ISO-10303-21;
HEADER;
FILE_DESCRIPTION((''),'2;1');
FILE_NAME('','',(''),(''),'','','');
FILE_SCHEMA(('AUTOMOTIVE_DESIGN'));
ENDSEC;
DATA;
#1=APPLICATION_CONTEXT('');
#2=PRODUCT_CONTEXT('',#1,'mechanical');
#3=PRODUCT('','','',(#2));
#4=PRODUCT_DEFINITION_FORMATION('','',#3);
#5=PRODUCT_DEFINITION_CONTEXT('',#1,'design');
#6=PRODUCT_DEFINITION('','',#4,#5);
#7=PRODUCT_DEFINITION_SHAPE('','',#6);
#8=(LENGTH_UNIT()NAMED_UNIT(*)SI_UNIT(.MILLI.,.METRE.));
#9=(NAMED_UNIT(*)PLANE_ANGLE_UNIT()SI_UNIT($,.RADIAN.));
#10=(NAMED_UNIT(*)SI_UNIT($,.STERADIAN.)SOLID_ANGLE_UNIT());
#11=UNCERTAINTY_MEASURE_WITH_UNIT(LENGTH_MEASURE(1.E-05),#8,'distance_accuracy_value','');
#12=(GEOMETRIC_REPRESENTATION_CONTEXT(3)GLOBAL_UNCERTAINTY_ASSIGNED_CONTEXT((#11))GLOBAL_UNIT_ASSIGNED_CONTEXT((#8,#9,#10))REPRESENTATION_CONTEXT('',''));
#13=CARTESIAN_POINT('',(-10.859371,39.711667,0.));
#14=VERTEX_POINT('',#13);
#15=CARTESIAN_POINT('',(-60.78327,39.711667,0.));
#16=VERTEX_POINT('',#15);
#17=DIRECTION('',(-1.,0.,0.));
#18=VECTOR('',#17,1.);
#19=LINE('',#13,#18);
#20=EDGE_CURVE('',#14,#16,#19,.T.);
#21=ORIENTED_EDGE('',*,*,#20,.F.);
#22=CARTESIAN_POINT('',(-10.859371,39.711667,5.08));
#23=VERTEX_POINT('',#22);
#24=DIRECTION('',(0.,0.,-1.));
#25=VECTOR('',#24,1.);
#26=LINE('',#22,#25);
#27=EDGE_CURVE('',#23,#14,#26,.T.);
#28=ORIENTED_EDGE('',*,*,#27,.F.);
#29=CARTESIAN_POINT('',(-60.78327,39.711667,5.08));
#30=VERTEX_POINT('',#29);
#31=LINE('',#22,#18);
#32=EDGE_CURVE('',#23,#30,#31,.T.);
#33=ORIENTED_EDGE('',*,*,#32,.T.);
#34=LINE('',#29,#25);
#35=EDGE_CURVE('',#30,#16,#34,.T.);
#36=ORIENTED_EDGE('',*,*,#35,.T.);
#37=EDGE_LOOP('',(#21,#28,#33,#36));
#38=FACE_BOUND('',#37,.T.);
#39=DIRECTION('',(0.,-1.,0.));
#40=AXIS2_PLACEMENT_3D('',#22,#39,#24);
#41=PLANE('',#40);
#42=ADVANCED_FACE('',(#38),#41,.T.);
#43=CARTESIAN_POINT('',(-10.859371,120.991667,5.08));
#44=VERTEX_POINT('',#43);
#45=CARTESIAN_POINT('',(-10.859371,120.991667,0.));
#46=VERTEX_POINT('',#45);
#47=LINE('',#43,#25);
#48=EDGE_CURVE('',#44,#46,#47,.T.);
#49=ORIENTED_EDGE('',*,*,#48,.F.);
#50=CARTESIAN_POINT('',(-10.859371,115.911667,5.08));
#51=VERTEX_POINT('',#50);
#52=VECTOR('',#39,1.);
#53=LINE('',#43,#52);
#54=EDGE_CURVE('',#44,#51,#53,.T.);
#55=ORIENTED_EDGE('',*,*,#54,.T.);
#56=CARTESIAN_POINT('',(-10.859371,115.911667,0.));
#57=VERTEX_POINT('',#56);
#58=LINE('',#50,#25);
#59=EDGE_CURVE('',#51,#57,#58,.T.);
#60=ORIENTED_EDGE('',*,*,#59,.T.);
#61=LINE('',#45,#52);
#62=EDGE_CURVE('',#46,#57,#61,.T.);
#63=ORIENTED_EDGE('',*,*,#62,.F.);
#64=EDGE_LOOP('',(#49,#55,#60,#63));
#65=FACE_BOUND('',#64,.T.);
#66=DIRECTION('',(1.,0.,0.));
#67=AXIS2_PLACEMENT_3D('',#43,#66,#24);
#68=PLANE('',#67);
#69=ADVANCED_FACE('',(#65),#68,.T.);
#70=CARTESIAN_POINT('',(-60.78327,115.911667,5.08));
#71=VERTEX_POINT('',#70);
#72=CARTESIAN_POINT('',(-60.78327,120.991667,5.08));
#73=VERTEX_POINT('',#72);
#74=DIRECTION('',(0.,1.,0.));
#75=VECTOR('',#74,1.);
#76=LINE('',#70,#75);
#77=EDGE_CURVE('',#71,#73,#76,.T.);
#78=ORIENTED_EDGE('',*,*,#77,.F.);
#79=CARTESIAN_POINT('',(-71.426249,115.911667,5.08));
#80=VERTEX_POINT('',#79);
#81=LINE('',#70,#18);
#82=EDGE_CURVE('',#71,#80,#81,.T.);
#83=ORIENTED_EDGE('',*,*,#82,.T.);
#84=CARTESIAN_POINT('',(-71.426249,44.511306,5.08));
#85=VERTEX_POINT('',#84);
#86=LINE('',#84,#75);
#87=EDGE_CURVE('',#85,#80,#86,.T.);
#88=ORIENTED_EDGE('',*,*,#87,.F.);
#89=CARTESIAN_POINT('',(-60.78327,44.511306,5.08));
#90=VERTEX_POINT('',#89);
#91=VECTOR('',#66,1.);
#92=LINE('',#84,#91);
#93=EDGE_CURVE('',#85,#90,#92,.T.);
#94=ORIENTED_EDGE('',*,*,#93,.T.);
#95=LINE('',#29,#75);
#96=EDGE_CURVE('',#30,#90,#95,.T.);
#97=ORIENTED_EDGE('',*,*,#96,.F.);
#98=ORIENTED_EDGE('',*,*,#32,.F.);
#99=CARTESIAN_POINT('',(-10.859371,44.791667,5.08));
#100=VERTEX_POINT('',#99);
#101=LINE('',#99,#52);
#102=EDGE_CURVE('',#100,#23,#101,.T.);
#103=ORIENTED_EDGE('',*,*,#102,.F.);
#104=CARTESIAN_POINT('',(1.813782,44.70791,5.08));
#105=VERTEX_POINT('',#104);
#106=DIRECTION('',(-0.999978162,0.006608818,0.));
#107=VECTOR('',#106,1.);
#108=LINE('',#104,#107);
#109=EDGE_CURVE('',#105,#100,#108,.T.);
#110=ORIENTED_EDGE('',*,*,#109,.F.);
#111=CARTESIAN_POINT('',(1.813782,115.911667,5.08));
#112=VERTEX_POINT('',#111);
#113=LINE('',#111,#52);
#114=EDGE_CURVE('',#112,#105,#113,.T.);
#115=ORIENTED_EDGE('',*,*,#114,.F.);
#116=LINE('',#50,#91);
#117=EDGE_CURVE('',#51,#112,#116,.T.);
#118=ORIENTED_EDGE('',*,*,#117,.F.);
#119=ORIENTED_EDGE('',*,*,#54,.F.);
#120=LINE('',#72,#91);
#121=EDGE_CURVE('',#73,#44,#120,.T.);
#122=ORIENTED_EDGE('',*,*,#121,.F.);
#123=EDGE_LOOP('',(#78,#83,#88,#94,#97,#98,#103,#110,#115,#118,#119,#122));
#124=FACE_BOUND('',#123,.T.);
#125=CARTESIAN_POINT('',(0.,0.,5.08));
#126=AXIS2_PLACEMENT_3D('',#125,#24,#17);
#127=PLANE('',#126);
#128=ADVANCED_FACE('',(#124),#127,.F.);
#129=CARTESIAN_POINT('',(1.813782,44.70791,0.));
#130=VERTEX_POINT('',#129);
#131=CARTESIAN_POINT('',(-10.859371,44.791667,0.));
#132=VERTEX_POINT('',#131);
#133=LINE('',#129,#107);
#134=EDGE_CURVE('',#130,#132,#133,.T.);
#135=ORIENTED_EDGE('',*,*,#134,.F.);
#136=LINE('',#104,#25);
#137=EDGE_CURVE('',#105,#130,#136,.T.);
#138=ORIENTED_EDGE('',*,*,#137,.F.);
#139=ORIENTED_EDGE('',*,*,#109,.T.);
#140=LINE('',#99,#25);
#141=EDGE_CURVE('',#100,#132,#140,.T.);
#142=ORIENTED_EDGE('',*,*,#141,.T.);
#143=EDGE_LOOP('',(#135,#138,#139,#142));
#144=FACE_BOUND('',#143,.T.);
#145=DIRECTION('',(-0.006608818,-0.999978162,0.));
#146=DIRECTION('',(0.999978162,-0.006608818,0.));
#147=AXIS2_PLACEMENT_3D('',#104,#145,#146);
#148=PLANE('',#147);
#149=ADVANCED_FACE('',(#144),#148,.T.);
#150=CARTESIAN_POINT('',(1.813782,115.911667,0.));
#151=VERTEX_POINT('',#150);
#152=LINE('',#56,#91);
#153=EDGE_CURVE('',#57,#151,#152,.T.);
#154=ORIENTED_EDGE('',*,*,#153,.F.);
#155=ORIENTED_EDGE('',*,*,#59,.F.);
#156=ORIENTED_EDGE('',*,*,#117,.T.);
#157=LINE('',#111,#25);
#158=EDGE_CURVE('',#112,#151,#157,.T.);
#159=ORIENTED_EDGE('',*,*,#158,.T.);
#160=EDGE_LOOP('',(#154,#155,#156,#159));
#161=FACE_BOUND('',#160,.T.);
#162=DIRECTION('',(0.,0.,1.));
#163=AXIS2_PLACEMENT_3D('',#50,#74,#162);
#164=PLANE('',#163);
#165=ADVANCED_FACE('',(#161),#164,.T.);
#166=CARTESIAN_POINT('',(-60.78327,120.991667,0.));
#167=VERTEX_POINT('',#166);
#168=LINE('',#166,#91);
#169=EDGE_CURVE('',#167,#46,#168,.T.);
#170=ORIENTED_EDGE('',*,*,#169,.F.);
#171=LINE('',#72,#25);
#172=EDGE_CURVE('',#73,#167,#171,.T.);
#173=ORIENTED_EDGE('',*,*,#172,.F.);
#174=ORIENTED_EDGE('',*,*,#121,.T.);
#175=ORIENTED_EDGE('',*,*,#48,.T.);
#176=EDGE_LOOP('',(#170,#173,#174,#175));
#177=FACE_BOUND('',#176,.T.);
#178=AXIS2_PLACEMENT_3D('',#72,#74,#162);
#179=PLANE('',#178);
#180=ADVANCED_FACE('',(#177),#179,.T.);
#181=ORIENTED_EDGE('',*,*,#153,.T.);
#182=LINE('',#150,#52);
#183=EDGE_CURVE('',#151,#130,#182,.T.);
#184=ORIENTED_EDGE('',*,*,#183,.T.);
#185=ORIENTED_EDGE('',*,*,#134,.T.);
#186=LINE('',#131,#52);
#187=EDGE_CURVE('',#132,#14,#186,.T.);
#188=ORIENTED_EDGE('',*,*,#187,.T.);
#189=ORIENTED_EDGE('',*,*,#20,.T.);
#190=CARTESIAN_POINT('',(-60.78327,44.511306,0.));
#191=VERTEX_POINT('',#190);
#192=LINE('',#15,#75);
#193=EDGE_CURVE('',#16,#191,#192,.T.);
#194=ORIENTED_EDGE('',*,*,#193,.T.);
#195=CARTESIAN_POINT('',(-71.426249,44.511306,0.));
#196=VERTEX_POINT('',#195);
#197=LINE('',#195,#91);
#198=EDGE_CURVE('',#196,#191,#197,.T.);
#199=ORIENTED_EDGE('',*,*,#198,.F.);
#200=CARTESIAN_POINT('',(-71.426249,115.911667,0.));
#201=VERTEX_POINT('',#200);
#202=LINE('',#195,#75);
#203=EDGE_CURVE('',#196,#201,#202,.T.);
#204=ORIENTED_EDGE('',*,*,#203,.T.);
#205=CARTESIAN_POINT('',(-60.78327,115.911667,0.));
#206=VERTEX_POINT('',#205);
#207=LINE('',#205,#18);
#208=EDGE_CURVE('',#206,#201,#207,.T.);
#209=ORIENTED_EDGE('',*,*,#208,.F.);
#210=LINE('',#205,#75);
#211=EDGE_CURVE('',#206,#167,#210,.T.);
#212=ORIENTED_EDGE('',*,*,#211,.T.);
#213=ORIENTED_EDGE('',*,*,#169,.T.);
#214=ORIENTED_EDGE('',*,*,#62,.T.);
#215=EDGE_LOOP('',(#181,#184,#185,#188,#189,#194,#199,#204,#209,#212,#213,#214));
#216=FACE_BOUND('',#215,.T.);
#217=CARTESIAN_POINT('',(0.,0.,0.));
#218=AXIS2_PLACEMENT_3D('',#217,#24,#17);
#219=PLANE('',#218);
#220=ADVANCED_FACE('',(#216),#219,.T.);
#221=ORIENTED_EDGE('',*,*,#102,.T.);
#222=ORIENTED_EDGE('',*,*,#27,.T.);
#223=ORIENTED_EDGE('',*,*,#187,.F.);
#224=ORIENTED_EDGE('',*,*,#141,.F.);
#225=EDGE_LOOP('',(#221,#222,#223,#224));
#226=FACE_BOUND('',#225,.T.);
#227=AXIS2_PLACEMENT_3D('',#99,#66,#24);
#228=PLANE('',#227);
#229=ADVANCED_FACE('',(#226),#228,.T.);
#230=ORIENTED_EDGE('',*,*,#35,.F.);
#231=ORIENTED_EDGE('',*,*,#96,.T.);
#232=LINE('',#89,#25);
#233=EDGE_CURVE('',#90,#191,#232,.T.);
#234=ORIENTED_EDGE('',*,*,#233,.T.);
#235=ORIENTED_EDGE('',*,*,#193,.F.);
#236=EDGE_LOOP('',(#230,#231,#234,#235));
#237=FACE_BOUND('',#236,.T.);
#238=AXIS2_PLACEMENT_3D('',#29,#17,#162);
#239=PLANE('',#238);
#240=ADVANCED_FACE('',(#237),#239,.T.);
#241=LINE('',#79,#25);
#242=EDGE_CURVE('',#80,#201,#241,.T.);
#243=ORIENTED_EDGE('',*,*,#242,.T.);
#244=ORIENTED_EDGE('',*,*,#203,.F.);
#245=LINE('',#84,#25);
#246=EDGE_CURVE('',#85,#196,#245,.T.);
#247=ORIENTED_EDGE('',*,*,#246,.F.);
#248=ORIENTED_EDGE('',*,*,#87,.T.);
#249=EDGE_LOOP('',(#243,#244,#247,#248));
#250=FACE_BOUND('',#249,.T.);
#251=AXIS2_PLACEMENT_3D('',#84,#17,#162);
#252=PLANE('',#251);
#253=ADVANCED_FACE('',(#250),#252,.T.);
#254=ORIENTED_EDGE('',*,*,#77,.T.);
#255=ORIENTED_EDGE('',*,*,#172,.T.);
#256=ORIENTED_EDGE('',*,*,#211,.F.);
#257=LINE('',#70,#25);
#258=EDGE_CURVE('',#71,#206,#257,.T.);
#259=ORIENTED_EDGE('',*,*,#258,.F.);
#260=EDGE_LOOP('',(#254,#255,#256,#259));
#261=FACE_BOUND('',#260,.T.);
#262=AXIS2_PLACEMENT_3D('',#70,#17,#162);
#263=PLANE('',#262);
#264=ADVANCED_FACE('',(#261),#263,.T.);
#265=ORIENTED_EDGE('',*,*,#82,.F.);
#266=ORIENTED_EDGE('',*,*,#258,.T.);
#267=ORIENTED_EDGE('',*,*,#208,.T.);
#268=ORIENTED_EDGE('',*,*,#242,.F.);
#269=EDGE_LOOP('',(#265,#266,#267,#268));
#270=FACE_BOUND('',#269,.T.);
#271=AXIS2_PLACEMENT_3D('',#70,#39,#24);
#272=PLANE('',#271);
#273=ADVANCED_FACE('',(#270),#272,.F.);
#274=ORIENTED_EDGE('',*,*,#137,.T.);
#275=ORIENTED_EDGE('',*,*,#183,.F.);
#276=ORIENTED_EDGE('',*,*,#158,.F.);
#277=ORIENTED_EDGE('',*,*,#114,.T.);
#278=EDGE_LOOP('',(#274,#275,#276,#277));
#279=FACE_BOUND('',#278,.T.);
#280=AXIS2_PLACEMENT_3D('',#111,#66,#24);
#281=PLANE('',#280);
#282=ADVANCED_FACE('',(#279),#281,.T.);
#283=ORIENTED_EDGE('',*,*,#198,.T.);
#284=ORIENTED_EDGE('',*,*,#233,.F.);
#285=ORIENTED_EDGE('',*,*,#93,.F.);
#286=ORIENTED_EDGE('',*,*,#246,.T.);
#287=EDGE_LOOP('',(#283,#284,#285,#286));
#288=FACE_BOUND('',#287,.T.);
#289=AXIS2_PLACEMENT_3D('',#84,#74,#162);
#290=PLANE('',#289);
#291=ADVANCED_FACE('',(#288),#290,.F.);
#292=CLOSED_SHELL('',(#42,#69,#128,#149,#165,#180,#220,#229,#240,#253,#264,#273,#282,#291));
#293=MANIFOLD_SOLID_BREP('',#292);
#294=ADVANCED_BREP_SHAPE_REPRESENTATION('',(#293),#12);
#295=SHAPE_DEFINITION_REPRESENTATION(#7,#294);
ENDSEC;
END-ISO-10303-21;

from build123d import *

# Parameters (mm, degrees)
BOSS_EXTRUDE1_DEPTH = 5.08


with BuildPart() as part:
    # Sketch1 → Boss-Extrude1 (new body)
    with BuildSketch(Plane.XY):
        Polygon((-60.783269637, 39.711666867), (-60.783269637, 44.511306035), (-71.426249191, 44.511306035), (-71.426249191, 115.911666867), (-60.783269637, 115.911666867), (-60.783269637, 120.991666867), (-10.859370826, 120.991666867), (-10.859370826, 115.911666867), (1.813782259, 115.911666867), (1.813782259, 44.70791048), (-10.859370826, 44.791666867), (-10.859370826, 39.711666867), align=None)
    extrude(amount=BOSS_EXTRUDE1_DEPTH)


solid = part.part
